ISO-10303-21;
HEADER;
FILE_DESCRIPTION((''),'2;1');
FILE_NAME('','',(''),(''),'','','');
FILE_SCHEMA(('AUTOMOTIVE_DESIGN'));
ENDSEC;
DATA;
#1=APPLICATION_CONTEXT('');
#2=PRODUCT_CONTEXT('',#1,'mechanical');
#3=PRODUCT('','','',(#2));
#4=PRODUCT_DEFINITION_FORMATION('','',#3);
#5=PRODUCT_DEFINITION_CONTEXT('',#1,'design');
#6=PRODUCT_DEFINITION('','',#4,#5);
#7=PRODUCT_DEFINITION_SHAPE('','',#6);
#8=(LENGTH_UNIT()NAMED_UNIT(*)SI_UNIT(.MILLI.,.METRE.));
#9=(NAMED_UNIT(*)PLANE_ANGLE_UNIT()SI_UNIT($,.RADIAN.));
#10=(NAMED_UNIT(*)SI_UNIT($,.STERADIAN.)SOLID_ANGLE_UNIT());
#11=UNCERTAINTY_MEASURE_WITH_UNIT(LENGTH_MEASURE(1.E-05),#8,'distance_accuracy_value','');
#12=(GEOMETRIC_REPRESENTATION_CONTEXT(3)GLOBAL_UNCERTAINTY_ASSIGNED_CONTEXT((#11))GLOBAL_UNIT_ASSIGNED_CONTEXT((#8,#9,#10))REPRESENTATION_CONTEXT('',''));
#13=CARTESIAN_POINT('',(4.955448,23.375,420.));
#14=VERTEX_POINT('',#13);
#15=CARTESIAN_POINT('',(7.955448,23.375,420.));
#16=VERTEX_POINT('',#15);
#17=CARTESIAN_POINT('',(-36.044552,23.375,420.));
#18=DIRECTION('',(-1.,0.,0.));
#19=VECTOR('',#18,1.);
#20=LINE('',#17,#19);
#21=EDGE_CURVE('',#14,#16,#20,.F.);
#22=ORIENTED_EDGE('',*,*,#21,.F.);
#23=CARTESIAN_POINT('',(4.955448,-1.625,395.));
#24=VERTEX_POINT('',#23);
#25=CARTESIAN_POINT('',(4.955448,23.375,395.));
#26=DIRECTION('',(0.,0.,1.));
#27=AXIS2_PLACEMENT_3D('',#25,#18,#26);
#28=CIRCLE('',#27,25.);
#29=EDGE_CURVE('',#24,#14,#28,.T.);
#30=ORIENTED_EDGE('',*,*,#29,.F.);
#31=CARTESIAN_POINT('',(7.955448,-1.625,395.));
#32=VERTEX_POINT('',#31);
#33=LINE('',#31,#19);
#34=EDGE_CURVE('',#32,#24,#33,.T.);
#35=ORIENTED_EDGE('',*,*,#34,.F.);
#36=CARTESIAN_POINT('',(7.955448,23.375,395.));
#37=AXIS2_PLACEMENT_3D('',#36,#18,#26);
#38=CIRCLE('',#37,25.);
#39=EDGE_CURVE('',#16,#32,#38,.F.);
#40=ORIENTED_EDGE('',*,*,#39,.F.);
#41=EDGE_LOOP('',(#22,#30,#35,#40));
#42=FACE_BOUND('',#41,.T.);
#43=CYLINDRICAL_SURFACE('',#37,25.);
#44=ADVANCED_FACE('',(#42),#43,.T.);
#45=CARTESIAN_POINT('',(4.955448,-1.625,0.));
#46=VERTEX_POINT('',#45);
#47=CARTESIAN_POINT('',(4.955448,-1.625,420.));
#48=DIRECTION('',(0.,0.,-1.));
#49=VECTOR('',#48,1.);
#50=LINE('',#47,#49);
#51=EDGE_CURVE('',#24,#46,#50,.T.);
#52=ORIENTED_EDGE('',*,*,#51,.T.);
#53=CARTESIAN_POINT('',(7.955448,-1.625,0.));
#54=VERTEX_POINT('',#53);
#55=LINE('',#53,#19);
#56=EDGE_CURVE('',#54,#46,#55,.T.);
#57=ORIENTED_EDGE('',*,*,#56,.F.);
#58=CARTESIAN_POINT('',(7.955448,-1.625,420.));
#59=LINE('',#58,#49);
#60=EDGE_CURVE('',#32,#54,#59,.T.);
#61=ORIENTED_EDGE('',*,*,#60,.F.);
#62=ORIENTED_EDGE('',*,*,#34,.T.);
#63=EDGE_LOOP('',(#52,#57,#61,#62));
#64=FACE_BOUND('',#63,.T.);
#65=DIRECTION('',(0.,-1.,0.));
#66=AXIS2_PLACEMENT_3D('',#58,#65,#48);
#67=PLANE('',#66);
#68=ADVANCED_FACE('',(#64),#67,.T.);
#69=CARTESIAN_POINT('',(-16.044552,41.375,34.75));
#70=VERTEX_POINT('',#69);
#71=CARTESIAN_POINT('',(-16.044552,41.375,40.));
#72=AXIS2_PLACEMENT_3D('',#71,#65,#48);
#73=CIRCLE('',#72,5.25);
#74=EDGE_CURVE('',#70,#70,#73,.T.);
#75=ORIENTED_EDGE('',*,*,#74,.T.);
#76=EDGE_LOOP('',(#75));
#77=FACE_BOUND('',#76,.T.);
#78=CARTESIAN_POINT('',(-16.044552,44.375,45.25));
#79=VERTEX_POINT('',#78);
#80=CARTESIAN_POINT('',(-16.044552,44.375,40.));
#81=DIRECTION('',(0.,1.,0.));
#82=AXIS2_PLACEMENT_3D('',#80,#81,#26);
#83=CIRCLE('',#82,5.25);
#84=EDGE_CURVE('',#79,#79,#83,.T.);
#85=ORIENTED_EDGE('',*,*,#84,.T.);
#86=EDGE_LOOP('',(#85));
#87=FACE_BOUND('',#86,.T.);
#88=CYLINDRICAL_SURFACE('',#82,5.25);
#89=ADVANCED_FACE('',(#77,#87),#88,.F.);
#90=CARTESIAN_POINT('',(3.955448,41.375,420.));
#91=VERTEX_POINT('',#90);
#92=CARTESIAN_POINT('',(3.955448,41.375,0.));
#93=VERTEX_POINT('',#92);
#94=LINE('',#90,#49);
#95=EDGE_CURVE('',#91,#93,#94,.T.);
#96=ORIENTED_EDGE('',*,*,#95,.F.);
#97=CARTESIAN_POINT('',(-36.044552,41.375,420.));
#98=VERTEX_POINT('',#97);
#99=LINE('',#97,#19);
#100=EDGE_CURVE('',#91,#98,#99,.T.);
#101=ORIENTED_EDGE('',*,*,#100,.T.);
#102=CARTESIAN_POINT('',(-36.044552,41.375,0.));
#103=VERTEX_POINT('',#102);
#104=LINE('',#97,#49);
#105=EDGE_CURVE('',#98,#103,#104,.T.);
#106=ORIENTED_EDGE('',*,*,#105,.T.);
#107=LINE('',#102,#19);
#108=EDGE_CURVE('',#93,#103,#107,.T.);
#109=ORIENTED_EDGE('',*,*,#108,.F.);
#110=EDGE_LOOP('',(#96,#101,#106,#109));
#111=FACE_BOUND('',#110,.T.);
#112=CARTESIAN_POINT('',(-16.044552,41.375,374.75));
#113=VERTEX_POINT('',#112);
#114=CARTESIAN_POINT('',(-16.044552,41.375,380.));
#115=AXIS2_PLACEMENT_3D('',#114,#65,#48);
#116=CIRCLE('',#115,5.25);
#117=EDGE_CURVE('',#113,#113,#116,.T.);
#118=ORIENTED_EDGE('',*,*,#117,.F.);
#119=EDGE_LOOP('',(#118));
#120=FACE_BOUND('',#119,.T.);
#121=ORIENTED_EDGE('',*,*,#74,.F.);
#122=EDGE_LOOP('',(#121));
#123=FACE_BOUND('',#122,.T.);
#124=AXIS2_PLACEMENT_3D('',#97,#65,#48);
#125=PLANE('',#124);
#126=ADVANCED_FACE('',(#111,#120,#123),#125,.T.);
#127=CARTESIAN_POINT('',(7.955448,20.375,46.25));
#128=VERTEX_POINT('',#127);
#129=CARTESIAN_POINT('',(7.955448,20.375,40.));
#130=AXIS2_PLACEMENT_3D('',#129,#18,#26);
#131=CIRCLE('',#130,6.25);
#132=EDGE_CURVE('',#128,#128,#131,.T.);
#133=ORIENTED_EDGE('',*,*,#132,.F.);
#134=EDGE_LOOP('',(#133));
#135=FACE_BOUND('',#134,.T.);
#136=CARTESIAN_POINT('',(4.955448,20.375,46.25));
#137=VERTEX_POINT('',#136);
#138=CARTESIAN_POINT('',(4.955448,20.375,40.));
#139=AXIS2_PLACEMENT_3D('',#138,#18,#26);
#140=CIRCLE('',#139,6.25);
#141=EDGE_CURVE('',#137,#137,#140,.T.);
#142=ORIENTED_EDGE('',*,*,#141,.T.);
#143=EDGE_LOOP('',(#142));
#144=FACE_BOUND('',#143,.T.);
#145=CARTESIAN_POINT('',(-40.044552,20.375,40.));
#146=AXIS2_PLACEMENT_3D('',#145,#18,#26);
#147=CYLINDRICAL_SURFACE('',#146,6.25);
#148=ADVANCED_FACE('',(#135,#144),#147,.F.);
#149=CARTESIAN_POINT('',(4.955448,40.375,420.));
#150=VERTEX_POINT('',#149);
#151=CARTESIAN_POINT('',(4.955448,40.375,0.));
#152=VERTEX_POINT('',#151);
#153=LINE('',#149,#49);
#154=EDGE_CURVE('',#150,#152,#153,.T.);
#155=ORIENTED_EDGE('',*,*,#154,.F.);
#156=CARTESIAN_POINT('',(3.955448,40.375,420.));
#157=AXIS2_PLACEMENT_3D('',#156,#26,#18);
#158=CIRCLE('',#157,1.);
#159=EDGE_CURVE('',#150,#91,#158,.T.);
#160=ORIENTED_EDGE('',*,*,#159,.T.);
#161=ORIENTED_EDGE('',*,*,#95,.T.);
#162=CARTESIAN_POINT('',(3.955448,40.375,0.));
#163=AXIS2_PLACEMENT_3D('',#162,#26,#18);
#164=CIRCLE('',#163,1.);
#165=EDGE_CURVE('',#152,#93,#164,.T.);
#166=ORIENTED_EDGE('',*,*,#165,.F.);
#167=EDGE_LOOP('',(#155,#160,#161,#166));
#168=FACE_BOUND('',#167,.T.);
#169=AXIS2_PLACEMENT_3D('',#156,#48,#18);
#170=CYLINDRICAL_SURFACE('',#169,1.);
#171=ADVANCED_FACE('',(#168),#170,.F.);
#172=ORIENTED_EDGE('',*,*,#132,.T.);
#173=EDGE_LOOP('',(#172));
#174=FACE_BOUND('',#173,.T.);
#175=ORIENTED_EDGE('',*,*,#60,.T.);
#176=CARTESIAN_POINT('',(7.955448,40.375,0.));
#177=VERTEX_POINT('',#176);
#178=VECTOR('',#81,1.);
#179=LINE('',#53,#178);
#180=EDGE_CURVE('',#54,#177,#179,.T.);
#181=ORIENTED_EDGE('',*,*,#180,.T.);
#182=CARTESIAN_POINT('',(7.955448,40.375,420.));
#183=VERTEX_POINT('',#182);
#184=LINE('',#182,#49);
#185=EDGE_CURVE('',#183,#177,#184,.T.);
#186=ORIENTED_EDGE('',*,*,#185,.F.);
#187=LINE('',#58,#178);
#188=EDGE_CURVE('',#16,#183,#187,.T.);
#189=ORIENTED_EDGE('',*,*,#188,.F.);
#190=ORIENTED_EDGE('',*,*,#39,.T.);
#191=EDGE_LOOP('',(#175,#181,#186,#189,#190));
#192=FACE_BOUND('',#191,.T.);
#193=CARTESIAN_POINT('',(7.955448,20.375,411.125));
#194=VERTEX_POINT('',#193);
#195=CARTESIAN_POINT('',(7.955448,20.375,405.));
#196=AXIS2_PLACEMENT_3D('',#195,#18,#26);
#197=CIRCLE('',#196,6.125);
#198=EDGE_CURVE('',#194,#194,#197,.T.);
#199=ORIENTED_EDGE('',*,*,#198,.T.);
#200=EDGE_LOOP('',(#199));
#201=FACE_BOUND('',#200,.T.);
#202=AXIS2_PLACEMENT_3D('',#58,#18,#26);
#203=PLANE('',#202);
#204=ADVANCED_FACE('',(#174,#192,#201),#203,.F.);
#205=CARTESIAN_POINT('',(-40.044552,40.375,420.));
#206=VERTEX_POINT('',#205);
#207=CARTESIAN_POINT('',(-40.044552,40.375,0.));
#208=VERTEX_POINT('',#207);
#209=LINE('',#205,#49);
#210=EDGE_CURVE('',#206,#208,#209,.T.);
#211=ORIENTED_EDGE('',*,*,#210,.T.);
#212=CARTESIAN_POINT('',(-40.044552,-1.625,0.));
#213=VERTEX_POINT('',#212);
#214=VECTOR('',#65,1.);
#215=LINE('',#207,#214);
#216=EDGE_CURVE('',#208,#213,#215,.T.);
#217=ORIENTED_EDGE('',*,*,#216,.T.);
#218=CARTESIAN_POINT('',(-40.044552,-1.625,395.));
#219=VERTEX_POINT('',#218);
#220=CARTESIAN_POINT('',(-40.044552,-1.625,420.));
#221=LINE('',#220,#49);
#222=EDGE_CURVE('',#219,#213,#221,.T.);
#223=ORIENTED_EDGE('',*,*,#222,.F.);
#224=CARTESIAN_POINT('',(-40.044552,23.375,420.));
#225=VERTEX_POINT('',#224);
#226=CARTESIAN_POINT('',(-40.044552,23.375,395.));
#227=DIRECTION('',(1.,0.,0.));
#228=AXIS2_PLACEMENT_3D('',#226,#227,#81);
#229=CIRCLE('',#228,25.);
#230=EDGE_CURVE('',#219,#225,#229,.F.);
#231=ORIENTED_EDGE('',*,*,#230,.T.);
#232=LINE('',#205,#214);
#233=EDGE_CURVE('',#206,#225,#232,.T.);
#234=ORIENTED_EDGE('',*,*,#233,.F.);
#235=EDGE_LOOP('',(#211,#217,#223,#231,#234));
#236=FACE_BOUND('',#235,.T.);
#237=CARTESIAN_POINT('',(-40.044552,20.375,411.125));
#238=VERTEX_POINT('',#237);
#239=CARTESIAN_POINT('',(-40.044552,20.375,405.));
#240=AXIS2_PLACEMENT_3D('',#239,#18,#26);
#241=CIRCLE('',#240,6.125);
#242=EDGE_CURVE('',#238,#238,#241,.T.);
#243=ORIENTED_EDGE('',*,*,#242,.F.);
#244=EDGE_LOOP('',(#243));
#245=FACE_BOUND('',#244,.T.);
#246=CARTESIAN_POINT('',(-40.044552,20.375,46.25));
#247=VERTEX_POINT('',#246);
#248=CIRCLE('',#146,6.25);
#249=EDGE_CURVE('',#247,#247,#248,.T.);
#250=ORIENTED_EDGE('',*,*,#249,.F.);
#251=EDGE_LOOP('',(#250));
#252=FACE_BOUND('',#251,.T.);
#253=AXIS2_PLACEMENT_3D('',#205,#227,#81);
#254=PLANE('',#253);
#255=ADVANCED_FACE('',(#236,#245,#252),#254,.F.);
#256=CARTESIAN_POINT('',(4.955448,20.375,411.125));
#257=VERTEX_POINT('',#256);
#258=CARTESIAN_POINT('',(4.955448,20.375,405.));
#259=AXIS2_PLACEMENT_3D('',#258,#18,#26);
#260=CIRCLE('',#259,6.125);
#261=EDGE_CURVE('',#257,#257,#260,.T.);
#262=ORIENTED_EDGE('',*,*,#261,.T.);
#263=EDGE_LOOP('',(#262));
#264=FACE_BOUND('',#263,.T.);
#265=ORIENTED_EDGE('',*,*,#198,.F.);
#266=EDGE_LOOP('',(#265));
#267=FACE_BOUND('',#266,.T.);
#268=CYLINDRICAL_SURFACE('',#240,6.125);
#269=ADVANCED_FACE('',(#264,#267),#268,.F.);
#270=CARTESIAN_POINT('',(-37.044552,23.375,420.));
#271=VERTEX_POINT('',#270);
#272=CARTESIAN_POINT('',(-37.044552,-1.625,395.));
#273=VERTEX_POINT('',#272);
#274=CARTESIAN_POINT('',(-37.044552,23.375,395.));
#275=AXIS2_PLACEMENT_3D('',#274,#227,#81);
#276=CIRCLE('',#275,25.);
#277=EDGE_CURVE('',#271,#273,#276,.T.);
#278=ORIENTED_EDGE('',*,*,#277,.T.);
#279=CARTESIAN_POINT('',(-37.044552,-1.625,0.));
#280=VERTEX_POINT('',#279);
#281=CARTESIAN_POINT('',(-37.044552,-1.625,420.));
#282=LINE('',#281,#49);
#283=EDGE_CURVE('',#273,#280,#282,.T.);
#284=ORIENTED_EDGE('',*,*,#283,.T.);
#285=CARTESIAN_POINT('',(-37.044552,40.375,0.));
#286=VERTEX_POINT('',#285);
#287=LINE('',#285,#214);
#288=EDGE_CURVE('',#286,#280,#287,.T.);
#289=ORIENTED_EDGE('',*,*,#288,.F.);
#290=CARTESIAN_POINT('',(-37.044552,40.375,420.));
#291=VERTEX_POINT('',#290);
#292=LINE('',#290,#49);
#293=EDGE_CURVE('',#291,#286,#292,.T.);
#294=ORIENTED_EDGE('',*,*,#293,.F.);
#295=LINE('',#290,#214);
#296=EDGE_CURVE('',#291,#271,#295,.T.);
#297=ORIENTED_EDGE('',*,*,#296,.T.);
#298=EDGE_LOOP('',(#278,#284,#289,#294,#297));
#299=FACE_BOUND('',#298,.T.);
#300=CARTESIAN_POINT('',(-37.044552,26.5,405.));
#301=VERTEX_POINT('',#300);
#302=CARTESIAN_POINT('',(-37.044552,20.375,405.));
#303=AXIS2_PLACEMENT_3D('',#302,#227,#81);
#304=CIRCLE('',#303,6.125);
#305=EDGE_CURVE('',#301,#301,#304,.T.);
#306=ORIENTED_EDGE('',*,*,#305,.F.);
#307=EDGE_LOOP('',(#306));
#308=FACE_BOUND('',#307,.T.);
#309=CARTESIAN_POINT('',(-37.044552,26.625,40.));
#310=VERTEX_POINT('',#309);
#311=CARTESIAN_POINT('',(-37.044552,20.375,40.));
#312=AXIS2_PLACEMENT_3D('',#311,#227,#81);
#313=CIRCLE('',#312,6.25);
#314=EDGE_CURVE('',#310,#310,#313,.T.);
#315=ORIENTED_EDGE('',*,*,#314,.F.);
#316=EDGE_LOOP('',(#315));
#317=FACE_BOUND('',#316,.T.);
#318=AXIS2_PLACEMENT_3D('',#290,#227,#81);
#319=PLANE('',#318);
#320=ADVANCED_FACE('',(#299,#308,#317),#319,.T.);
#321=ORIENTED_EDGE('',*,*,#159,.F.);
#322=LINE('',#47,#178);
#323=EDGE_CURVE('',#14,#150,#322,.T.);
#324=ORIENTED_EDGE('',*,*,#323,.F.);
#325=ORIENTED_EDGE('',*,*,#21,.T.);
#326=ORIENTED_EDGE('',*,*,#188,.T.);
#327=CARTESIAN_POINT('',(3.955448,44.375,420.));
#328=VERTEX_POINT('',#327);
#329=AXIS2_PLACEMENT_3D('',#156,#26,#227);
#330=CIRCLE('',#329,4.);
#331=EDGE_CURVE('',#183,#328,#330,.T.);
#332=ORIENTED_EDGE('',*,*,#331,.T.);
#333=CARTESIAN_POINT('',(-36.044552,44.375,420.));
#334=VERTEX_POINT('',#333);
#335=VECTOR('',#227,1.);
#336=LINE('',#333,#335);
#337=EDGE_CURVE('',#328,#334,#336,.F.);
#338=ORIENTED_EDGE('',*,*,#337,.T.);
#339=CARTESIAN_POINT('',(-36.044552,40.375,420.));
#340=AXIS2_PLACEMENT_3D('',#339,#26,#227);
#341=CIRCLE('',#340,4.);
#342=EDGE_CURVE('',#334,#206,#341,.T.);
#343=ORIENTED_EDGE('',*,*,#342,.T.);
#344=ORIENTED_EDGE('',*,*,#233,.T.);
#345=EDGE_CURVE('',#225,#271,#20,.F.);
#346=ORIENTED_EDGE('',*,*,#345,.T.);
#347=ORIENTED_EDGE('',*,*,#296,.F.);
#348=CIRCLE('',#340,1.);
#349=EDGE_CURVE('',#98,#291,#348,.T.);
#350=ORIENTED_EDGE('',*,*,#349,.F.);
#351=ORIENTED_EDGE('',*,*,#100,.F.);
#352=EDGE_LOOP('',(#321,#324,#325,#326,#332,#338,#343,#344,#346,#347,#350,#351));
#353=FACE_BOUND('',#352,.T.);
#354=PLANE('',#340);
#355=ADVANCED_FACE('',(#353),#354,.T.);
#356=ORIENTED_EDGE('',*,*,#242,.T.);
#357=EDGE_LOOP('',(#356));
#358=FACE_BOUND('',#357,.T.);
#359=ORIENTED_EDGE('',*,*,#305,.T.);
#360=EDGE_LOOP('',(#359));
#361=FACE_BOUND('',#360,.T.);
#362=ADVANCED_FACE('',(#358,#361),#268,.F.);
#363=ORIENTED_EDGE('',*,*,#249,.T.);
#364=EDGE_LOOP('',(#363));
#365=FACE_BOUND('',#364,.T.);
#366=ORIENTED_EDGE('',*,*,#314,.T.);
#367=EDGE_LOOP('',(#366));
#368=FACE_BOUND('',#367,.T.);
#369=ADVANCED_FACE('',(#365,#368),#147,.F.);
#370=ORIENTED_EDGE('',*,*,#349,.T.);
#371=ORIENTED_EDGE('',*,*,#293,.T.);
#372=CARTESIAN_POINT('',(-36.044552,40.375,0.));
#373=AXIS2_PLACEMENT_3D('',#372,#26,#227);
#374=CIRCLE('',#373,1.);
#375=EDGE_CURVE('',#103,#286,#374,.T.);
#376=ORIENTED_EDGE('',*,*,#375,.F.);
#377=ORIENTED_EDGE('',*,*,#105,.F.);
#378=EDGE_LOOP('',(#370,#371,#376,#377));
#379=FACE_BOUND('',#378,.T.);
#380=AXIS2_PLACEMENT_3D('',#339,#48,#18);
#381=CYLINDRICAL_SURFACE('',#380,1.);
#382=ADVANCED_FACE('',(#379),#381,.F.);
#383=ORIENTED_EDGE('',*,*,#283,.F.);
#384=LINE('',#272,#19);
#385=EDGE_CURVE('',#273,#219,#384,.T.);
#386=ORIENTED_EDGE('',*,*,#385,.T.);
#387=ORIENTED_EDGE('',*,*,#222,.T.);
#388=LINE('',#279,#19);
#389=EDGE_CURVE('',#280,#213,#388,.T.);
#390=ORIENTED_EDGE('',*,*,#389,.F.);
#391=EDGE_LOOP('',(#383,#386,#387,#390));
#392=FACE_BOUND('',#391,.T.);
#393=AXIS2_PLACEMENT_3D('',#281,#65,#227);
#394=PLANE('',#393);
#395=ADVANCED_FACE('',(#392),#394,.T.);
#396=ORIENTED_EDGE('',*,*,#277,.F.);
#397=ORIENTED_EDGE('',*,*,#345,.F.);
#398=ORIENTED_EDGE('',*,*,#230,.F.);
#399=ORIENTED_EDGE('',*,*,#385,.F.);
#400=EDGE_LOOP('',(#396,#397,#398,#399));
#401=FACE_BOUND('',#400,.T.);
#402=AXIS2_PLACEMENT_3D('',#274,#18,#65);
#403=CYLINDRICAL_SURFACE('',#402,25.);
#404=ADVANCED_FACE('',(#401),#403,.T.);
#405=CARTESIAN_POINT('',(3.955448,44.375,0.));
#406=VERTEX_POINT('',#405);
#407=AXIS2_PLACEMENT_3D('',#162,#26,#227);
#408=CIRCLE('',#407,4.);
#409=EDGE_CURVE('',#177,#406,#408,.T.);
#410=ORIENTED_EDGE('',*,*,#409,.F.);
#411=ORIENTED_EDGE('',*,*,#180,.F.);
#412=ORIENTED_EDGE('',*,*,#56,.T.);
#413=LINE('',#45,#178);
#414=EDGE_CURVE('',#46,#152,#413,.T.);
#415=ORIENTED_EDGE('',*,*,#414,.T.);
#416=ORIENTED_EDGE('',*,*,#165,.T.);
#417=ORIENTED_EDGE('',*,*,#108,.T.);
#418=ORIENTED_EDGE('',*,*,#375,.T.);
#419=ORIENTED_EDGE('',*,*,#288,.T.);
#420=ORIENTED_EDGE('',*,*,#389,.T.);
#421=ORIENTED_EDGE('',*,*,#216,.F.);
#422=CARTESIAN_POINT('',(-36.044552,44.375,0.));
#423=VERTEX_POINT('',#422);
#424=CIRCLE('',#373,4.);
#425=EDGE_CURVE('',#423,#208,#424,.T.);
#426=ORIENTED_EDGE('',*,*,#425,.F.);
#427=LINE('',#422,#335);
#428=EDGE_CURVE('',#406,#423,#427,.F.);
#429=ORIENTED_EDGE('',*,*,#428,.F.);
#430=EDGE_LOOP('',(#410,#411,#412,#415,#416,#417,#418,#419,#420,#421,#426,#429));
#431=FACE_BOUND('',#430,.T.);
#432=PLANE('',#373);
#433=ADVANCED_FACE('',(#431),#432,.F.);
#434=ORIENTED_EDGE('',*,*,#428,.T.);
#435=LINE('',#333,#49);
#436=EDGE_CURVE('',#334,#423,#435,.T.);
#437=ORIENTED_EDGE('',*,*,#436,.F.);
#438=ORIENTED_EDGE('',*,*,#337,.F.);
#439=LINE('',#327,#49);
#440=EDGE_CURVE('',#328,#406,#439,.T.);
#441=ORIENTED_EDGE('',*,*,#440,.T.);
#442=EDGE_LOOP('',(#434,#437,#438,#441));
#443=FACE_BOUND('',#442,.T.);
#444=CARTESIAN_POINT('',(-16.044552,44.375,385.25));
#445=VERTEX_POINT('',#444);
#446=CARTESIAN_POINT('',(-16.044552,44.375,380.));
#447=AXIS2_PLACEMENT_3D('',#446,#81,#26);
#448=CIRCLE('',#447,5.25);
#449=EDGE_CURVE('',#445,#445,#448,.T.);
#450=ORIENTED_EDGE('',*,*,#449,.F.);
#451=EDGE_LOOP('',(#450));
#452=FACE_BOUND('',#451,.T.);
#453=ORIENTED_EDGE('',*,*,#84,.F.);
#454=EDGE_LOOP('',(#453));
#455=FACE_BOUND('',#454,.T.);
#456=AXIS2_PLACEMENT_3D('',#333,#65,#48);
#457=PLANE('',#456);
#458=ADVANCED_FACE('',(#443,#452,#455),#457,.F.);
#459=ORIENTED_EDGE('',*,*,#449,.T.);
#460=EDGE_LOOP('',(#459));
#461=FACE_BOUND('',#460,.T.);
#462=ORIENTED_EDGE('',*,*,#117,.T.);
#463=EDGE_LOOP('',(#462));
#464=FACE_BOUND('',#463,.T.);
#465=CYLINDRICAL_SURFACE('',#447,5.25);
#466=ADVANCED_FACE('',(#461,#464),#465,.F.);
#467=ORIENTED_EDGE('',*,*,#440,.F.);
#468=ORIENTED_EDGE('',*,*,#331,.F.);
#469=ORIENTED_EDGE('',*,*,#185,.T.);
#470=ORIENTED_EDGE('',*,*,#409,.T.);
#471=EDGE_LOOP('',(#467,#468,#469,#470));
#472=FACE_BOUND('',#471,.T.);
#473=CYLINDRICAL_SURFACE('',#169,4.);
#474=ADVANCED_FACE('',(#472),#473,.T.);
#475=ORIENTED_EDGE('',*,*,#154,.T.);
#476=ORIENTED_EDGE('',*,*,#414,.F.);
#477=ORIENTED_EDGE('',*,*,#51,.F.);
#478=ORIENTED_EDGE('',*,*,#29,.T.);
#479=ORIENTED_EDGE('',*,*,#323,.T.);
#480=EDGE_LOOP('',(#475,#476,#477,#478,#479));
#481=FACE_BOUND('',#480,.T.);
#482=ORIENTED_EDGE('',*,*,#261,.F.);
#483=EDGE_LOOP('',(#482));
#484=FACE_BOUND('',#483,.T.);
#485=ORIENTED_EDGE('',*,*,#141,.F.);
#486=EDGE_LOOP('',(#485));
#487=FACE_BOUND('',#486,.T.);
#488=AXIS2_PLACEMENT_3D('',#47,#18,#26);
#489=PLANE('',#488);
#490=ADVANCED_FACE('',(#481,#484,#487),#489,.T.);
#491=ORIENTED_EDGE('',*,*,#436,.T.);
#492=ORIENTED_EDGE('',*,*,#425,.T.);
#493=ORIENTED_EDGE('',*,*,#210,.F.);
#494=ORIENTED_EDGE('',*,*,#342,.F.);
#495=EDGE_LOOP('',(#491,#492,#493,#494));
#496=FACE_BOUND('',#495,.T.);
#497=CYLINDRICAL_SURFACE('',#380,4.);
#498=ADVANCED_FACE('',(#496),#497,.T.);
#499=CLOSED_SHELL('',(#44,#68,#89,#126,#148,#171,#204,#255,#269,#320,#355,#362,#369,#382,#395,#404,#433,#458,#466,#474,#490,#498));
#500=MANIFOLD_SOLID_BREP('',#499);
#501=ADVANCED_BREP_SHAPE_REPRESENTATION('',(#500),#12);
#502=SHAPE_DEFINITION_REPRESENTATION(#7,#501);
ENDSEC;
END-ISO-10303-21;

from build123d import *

# Parameters (mm, degrees)
EKSTR_ZYON_NCE10_DEPTH                = 420
M12_HELISARMAL_I_IN_Z_VANA_MATKAB_1_D = 12.5
M12_HELISARMAL_I_IN_Z_VANA_MATKAB_2_D = 12.25
M10_HELISARMAL_I_IN_Z_VANA_MATKAB_1_D = 10.5
RADYUS1_R                             = 25
RADYUS2_R                             = 25


with BuildPart() as part:
    # Çizim1 → Ekstrüzyon-İnce10 (new body)
    with BuildSketch(Plane.XY):
        with BuildLine():
            Line((-37.044551646, -1.625), (-37.044551646, 40.375))
            ThreePointArc((-37.044551646, 40.375), (-36.751658427, 41.082106781), (-36.044551646, 41.375))
            Line((-36.044551646, 41.375), (3.955448354, 41.375))
            ThreePointArc((3.955448354, 41.375), (4.662555135, 41.082106781), (4.955448354, 40.375))
            Line((4.955448354, 40.375), (4.955448354, -1.625))
            Line((4.955448354, -1.625), (7.955448354, -1.625))
            Line((7.955448354, -1.625), (7.955448354, 40.375))
            ThreePointArc((7.955448354, 40.375), (6.783875479, 43.203427125), (3.955448354, 44.375))
            Line((3.955448354, 44.375), (-36.044551646, 44.375))
            ThreePointArc((-36.044551646, 44.375), (-38.872978771, 43.203427125), (-40.044551646, 40.375))
            Line((-40.044551646, 40.375), (-40.044551646, -1.625))
            Line((-40.044551646, -1.625), (-37.044551646, -1.625))
        make_face()
    extrude(amount=EKSTR_ZYON_NCE10_DEPTH)

    # M12 Helisarmal için Zıvana matkabı1 (through all)
    with Locations(Plane.ZY.offset(40.044551646)):
        with Locations((40, 20.375)):
            Hole(M12_HELISARMAL_I_IN_Z_VANA_MATKAB_1_D / 2)

    # M12 Helisarmal için Zıvana matkabı2 (through all)
    with Locations(Plane.ZY.offset(40.044551646)):
        with Locations((405, 20.375)):
            Hole(M12_HELISARMAL_I_IN_Z_VANA_MATKAB_2_D / 2)

    # M10 Helisarmal için Zıvana matkabı1 (through all)
    with Locations(Plane(origin=(-16.044551646, 44.375, 380), x_dir=(0, 0, 1), z_dir=(0, 1, 0))):
        with Locations((0, 0), (-340, 0)):
            Hole(M10_HELISARMAL_I_IN_Z_VANA_MATKAB_1_D / 2)

    # Radyus1
    radyus1_edges = [part.edges().sort_by_distance(p)[0] for p in [
        (-38.544551646, -1.625, 420),
    ]]
    fillet(radyus1_edges, radius=RADYUS1_R)

    # Radyus2
    radyus2_edges = [part.edges().sort_by_distance(p)[0] for p in [
        (6.455448354, -1.625, 420),
    ]]
    fillet(radyus2_edges, radius=RADYUS2_R)


solid = part.part
